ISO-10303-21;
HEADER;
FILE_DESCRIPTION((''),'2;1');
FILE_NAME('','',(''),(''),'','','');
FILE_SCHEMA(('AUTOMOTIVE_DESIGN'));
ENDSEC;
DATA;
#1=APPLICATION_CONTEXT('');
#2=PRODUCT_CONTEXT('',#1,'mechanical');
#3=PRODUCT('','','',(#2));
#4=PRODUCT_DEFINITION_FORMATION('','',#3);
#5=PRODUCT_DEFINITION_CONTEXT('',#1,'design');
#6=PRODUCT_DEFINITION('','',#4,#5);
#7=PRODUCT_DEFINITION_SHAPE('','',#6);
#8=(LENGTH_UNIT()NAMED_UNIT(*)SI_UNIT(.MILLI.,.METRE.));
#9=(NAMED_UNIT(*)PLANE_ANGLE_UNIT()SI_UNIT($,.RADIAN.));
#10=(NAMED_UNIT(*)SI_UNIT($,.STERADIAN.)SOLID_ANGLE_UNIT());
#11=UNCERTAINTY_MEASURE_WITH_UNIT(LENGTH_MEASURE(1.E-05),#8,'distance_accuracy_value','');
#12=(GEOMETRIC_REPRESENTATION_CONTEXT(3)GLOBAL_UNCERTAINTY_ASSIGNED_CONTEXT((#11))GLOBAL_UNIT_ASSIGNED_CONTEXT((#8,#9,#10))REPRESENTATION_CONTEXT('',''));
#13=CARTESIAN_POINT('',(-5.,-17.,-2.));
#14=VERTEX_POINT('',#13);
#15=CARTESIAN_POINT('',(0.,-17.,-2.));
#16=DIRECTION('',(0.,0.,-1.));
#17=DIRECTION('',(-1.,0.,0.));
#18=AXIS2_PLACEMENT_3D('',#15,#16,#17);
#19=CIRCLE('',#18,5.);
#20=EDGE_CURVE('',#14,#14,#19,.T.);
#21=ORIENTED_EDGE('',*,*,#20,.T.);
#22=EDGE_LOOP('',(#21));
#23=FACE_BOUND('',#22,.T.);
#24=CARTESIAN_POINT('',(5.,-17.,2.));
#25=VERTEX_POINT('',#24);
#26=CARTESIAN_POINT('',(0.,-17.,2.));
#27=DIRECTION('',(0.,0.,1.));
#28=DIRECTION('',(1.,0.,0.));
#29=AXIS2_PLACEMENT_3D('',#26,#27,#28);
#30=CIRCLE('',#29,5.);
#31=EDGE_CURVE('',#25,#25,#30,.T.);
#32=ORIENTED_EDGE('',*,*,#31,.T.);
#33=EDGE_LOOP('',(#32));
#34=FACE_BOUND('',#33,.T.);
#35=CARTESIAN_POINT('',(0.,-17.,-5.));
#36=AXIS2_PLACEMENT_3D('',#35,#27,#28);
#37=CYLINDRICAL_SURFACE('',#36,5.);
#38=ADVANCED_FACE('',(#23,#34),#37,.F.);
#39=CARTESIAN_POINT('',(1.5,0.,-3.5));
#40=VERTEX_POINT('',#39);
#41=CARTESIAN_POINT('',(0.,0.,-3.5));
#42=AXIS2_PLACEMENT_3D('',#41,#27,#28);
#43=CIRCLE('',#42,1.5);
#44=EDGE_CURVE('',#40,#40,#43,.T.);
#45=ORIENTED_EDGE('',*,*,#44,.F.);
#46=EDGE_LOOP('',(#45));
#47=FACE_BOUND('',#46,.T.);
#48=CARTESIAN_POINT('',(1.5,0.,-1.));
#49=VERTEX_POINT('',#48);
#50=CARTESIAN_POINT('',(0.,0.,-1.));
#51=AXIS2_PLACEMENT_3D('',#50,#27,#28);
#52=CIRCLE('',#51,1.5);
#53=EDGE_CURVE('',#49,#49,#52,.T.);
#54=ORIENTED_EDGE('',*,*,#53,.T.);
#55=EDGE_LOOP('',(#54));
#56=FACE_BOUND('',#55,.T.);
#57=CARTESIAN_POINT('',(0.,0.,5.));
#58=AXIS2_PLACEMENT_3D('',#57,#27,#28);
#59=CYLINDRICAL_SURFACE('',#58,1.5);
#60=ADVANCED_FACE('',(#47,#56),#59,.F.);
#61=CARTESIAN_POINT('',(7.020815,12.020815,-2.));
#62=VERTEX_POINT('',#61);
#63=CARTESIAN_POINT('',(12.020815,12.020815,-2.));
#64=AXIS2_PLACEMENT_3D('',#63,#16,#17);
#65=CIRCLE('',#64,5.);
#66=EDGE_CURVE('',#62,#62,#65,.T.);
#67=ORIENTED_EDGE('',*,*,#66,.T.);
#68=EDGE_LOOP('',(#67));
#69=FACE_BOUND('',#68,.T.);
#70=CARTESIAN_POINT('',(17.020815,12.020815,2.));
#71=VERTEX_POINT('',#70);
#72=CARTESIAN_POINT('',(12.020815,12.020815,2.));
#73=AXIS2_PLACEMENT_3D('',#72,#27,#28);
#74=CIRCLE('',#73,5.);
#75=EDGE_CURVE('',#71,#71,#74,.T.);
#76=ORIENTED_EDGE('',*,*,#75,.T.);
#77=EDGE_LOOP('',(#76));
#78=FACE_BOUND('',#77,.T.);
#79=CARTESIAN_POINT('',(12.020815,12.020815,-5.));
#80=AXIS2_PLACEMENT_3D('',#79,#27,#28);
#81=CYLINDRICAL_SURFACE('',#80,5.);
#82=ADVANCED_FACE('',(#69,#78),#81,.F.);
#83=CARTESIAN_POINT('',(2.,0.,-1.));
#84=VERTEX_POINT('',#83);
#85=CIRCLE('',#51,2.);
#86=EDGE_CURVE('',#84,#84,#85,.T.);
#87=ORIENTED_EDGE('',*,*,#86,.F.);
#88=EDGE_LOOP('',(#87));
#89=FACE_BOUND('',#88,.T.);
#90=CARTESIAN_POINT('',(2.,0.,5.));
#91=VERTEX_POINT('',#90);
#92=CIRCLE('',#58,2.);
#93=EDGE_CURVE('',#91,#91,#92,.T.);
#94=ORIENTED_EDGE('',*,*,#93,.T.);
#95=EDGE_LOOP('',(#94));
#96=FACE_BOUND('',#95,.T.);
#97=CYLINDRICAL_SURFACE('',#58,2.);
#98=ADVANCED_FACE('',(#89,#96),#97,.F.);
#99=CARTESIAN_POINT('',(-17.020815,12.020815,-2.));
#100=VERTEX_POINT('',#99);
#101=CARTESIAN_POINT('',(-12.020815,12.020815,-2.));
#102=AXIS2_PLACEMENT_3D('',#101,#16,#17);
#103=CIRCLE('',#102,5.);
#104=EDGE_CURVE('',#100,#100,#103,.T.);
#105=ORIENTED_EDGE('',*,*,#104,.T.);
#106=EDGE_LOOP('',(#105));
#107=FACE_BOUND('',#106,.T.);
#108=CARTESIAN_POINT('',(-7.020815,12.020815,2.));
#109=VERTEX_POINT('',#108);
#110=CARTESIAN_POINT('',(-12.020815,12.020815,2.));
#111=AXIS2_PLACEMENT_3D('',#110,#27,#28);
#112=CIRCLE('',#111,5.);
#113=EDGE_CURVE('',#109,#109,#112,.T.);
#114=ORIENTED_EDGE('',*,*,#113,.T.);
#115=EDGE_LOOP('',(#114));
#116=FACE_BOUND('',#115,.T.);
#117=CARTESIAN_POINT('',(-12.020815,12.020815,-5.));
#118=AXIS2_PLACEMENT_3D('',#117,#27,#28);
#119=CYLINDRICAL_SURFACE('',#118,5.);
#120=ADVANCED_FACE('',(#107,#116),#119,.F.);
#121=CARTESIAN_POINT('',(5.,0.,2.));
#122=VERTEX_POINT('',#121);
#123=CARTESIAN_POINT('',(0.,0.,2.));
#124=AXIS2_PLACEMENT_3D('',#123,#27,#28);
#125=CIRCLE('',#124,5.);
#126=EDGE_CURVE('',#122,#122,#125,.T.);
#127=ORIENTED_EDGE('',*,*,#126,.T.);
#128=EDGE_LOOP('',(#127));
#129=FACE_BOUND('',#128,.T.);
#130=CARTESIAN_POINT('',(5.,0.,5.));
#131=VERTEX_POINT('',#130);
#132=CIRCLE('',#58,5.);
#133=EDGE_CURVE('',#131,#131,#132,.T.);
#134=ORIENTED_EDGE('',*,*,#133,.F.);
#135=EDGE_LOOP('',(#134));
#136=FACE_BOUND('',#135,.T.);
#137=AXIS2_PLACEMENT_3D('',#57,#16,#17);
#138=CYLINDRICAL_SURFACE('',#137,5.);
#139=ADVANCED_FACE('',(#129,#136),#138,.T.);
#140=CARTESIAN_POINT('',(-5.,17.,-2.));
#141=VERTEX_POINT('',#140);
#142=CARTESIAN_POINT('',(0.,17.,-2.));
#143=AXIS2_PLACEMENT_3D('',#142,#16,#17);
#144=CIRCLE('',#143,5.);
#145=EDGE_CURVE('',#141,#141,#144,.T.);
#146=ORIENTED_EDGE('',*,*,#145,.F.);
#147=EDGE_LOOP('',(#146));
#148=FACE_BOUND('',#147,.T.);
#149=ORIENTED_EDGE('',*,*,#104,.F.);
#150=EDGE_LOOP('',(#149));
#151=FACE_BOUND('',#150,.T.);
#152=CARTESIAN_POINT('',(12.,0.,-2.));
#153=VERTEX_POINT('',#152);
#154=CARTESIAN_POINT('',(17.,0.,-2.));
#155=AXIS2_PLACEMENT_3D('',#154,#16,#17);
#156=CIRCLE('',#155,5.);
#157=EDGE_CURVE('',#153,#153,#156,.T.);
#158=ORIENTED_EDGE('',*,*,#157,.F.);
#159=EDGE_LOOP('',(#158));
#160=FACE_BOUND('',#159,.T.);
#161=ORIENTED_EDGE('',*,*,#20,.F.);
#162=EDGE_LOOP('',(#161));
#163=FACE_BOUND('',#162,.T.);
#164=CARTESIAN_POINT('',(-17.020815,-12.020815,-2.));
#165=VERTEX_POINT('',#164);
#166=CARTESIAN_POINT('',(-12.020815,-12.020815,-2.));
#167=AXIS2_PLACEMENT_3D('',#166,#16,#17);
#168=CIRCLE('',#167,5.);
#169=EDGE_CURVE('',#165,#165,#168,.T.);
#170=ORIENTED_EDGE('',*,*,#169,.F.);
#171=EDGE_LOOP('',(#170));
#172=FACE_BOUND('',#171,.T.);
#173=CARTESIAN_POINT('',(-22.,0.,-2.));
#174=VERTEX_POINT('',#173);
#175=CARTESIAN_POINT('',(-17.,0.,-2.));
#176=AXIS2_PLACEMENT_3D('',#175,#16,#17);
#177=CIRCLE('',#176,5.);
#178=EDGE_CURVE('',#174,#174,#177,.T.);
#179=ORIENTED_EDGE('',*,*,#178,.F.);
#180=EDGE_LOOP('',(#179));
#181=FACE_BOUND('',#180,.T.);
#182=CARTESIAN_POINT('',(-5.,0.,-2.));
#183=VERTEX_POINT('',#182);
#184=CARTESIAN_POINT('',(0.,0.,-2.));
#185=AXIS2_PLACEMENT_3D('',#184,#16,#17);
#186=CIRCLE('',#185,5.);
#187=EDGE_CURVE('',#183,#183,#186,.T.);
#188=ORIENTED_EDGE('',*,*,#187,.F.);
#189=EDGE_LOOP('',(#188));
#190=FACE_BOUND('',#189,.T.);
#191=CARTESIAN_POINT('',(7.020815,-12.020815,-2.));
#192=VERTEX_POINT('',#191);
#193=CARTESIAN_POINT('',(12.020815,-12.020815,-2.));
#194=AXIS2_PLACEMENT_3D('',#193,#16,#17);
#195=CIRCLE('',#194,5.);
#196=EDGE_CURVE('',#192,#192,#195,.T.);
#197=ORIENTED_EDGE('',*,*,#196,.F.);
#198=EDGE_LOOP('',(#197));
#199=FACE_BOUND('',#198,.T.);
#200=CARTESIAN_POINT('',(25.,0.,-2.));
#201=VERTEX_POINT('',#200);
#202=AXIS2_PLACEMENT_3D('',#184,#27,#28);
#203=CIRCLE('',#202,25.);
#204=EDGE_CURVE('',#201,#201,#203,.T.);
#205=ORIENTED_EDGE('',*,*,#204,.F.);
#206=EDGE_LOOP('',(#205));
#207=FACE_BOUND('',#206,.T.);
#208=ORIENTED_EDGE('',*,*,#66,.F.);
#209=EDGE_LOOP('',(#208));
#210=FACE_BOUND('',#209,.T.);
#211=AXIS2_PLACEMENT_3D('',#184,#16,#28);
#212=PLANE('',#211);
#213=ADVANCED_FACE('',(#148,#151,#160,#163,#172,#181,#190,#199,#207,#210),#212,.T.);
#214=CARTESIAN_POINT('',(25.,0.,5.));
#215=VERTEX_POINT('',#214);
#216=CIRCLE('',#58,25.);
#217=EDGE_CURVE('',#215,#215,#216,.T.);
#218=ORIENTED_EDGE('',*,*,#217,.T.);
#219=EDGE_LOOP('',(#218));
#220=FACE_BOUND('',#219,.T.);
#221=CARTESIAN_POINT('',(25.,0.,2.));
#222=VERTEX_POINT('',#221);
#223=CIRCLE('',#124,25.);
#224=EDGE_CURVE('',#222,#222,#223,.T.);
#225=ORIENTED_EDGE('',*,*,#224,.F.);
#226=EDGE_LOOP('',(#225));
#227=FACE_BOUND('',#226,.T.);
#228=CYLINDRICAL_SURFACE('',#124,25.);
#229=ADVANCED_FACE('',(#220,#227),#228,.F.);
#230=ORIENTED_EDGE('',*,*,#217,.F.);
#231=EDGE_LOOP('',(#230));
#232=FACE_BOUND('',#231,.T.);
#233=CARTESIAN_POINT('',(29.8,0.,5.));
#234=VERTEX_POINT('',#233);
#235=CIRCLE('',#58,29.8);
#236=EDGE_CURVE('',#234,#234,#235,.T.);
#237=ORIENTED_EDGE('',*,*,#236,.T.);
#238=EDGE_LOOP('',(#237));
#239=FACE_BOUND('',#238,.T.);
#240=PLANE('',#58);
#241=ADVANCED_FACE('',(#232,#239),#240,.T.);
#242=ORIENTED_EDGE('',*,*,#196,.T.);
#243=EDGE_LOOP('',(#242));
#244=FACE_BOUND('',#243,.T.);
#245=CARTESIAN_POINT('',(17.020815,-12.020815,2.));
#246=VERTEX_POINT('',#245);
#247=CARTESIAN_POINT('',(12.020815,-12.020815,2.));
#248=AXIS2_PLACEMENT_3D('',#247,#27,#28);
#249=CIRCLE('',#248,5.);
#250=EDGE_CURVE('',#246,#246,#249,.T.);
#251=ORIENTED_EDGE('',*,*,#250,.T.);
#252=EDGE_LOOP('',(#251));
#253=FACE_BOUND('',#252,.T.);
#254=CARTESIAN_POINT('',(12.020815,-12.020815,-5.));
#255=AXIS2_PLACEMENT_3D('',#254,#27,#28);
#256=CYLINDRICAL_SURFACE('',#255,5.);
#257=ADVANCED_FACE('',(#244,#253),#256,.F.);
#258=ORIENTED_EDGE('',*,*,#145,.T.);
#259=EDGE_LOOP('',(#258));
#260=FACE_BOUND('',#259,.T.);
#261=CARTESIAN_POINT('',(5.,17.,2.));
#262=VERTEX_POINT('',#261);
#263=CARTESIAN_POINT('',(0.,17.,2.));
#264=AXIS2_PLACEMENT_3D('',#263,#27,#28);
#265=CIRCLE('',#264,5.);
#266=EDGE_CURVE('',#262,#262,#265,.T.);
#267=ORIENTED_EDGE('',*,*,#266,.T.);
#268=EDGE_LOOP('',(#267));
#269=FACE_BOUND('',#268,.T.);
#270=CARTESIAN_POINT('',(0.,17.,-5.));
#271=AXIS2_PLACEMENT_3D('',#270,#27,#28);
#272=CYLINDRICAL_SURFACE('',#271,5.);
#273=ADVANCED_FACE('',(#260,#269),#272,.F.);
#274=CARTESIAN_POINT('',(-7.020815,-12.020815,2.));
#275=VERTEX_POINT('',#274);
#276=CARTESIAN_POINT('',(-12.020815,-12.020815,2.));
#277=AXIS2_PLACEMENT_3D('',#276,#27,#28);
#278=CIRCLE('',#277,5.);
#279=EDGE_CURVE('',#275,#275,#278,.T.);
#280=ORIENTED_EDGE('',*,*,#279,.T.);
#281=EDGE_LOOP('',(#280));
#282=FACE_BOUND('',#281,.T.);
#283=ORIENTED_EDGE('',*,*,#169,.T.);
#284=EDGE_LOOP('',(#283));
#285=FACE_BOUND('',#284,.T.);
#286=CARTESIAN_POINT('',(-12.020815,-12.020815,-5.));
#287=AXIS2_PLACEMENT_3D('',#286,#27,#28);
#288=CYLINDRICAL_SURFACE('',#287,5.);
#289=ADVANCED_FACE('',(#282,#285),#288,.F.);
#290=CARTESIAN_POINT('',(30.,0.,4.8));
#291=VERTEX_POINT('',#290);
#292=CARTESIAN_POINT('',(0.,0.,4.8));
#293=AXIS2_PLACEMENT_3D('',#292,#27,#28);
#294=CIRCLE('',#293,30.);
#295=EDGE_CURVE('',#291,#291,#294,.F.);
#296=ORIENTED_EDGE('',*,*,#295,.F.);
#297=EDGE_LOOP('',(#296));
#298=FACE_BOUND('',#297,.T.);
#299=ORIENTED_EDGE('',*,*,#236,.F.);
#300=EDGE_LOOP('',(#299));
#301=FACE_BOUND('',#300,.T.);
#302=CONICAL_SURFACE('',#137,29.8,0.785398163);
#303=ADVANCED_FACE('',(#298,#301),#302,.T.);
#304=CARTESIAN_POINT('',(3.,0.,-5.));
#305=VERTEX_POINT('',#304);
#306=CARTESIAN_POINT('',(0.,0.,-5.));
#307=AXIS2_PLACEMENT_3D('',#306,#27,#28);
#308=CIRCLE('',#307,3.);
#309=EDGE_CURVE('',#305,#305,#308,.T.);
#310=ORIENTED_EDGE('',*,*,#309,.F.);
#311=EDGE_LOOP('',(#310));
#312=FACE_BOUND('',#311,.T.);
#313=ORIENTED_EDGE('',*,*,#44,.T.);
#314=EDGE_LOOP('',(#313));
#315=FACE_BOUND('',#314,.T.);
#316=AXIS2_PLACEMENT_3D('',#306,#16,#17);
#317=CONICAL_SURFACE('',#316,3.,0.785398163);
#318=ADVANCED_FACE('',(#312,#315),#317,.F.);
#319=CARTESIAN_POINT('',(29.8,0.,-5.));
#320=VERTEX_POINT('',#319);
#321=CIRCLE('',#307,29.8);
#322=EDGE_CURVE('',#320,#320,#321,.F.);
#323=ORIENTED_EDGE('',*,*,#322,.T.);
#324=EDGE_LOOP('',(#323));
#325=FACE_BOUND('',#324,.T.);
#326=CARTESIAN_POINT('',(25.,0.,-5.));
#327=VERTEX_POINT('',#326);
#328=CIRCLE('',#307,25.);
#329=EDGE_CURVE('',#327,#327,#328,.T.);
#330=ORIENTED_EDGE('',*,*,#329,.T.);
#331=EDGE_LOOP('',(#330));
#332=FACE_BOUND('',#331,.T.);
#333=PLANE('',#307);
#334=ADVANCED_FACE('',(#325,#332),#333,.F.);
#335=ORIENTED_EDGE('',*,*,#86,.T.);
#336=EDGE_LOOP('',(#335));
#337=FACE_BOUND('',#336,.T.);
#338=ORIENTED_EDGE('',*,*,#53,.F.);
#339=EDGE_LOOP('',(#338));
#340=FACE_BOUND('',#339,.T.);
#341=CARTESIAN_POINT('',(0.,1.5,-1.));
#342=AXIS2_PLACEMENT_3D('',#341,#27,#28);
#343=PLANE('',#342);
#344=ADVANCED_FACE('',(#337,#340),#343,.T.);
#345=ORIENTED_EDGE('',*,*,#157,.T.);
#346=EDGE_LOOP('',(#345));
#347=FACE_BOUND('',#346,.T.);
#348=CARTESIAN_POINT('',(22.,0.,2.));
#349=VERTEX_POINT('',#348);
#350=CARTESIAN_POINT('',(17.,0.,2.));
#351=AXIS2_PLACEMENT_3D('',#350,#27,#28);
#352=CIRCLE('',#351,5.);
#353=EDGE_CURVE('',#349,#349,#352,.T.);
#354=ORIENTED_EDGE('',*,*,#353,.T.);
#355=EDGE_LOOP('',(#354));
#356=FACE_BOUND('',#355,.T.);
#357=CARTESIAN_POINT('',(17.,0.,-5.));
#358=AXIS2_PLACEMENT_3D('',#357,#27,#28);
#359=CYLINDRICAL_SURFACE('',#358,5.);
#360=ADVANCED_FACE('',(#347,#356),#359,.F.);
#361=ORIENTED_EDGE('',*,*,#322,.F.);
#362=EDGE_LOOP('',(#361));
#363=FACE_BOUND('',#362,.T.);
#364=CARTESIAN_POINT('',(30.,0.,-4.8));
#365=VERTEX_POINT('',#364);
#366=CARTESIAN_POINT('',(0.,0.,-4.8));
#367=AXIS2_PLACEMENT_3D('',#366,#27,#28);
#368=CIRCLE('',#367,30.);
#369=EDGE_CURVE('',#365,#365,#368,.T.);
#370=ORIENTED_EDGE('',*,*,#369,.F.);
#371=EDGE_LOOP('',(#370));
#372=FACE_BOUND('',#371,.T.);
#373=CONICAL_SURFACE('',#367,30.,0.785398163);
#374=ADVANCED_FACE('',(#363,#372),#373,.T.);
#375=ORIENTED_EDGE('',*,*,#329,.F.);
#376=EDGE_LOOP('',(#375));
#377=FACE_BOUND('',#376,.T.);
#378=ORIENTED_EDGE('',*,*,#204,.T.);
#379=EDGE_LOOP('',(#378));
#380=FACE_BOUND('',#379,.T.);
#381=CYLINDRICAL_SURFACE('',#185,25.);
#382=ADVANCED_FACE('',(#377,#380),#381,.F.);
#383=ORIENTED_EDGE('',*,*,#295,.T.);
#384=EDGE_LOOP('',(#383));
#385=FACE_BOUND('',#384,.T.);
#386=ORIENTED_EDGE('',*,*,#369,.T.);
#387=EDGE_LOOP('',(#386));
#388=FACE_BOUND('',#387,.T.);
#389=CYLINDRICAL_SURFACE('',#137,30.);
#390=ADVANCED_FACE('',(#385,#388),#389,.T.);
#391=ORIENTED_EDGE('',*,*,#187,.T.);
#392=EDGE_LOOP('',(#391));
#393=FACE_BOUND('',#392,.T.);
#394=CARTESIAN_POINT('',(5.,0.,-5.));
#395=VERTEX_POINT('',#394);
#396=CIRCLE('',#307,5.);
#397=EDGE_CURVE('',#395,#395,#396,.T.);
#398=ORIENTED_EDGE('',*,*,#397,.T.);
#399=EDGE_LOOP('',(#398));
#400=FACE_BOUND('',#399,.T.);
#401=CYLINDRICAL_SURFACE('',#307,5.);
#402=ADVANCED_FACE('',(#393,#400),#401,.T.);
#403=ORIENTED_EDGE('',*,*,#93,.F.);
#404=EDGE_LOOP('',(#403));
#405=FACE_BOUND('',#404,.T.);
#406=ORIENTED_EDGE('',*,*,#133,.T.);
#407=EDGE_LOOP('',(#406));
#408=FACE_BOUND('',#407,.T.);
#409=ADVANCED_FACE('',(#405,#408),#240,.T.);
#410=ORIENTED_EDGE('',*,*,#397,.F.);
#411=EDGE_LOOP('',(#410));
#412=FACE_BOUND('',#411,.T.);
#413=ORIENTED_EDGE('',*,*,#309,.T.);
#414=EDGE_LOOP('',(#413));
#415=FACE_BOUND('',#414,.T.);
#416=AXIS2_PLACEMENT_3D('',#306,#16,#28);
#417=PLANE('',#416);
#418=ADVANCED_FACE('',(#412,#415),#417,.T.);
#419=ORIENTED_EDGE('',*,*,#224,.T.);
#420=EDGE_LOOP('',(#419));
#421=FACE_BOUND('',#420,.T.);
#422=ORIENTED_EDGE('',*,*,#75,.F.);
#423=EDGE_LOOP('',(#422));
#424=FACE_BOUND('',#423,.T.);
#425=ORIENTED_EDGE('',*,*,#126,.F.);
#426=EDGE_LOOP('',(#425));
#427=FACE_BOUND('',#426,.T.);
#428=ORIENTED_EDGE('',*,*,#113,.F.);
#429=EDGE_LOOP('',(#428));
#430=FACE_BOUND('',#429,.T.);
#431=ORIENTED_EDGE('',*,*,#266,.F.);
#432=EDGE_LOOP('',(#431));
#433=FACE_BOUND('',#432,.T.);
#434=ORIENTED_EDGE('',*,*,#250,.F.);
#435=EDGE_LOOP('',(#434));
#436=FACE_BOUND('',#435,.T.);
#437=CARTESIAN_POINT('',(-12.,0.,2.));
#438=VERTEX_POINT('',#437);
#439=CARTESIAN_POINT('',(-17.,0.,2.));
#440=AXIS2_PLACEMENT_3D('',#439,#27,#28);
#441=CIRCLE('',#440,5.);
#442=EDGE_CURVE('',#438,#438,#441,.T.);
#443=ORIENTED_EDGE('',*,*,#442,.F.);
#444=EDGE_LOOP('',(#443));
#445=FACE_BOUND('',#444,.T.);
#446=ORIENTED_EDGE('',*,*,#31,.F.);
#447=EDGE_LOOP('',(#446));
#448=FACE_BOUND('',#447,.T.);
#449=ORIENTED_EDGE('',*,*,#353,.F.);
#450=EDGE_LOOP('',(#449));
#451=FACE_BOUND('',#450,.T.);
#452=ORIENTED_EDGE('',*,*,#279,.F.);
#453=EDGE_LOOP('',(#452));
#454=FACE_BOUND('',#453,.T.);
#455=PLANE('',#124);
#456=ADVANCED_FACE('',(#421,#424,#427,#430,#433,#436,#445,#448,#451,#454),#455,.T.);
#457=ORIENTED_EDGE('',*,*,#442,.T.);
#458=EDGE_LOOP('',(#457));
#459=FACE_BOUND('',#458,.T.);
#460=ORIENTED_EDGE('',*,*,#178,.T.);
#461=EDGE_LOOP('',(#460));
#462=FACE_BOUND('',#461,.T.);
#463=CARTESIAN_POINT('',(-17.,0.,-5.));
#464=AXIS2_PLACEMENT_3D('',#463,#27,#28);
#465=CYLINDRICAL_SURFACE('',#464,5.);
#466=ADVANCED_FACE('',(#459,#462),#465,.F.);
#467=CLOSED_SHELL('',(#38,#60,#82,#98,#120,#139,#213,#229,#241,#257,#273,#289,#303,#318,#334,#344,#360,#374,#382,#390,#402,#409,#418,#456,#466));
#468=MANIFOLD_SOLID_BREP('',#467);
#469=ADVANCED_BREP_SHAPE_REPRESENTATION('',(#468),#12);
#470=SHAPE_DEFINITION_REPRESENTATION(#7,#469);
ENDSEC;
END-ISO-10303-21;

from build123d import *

# Parameters (mm, degrees)
SKETCH1_R               = 30
BOSS_EXTRUDE1_DEPTH     = 5
SKETCH2_R               = 25
CUT_EXTRUDE1_DEPTH      = 3
CUT_EXTRUDE2_DEPTH      = 44
CUT_EXTRUDE2_DEPTH_BACK = 44
SKETCH3_R               = 5
SKETCH4_R               = 5
BOSS_EXTRUDE2_DEPTH     = 3
CHAMFER1_SIZE           = 0.2


with BuildPart() as part:
    # Sketch1 → Boss-Extrude1 (new, symmetric)
    with BuildSketch(Plane.XY):
        Circle(SKETCH1_R)
    extrude(amount=BOSS_EXTRUDE1_DEPTH, both=True)

    # Sketch2 → Cut-Extrude1 (cut)
    with BuildSketch(Plane.XY.offset(5)):
        Circle(SKETCH2_R)
    cut_extrude1 = extrude(amount=-CUT_EXTRUDE1_DEPTH, mode=Mode.SUBTRACT)

    # Mirror1: Cut-Extrude1 across plane
    add(cut_extrude1.mirror(Plane.XY), mode=Mode.SUBTRACT)

    # Sketch3 → Cut-Extrude2 (cut, two sides: drawn at the far end of the back side and taken through both)
    with BuildSketch(Plane.XY.offset(2).offset(-CUT_EXTRUDE2_DEPTH_BACK)):
        with Locations((0, 17)):
            Circle(SKETCH3_R)
        with Locations((12.02081528, 12.02081528)):
            Circle(SKETCH3_R)
        with Locations((17, 0)):
            Circle(SKETCH3_R)
        with Locations((12.02081528, -12.02081528)):
            Circle(SKETCH3_R)
        with Locations((0, -17)):
            Circle(SKETCH3_R)
        with Locations((-12.02081528, -12.02081528)):
            Circle(SKETCH3_R)
        with Locations((-17, 0)):
            Circle(SKETCH3_R)
        with Locations((-12.02081528, 12.02081528)):
            Circle(SKETCH3_R)
    extrude(amount=CUT_EXTRUDE2_DEPTH + CUT_EXTRUDE2_DEPTH_BACK, mode=Mode.SUBTRACT)

    # Sketch4 → Boss-Extrude2 (add)
    with BuildSketch(Plane.XY.offset(2)):
        Circle(SKETCH4_R)
    boss_extrude2 = extrude(amount=BOSS_EXTRUDE2_DEPTH)

    # Mirror2: Boss-Extrude2 across plane
    add(boss_extrude2.mirror(Plane.XY))

    # Sketch5 → Cut-Revolve1 (revolve, cut)
    with BuildSketch(Plane(origin=(0, 0, 0), x_dir=(0, 0, -1), z_dir=(1, 0, 0)), mode=Mode.PRIVATE) as cut_revolve1_sk:
        Polygon((-5, 0), (5, 0), (5, 3), (3.5, 1.5), (1, 1.5), (1, 2), (-5, 2), align=None)
    revolve(cut_revolve1_sk.sketch.rotate(Axis((0, 0, 5), (0, 0, -1)), 90), axis=Axis((0, 0, 5), (0, 0, -1)), mode=Mode.SUBTRACT)

    # Chamfer1
    chamfer1_edges = [part.edges().sort_by_distance(p)[0] for p in [
        (-30, 0, -5),
        (-30, 0, 5),
    ]]
    chamfer(chamfer1_edges, length=CHAMFER1_SIZE)


solid = part.part
